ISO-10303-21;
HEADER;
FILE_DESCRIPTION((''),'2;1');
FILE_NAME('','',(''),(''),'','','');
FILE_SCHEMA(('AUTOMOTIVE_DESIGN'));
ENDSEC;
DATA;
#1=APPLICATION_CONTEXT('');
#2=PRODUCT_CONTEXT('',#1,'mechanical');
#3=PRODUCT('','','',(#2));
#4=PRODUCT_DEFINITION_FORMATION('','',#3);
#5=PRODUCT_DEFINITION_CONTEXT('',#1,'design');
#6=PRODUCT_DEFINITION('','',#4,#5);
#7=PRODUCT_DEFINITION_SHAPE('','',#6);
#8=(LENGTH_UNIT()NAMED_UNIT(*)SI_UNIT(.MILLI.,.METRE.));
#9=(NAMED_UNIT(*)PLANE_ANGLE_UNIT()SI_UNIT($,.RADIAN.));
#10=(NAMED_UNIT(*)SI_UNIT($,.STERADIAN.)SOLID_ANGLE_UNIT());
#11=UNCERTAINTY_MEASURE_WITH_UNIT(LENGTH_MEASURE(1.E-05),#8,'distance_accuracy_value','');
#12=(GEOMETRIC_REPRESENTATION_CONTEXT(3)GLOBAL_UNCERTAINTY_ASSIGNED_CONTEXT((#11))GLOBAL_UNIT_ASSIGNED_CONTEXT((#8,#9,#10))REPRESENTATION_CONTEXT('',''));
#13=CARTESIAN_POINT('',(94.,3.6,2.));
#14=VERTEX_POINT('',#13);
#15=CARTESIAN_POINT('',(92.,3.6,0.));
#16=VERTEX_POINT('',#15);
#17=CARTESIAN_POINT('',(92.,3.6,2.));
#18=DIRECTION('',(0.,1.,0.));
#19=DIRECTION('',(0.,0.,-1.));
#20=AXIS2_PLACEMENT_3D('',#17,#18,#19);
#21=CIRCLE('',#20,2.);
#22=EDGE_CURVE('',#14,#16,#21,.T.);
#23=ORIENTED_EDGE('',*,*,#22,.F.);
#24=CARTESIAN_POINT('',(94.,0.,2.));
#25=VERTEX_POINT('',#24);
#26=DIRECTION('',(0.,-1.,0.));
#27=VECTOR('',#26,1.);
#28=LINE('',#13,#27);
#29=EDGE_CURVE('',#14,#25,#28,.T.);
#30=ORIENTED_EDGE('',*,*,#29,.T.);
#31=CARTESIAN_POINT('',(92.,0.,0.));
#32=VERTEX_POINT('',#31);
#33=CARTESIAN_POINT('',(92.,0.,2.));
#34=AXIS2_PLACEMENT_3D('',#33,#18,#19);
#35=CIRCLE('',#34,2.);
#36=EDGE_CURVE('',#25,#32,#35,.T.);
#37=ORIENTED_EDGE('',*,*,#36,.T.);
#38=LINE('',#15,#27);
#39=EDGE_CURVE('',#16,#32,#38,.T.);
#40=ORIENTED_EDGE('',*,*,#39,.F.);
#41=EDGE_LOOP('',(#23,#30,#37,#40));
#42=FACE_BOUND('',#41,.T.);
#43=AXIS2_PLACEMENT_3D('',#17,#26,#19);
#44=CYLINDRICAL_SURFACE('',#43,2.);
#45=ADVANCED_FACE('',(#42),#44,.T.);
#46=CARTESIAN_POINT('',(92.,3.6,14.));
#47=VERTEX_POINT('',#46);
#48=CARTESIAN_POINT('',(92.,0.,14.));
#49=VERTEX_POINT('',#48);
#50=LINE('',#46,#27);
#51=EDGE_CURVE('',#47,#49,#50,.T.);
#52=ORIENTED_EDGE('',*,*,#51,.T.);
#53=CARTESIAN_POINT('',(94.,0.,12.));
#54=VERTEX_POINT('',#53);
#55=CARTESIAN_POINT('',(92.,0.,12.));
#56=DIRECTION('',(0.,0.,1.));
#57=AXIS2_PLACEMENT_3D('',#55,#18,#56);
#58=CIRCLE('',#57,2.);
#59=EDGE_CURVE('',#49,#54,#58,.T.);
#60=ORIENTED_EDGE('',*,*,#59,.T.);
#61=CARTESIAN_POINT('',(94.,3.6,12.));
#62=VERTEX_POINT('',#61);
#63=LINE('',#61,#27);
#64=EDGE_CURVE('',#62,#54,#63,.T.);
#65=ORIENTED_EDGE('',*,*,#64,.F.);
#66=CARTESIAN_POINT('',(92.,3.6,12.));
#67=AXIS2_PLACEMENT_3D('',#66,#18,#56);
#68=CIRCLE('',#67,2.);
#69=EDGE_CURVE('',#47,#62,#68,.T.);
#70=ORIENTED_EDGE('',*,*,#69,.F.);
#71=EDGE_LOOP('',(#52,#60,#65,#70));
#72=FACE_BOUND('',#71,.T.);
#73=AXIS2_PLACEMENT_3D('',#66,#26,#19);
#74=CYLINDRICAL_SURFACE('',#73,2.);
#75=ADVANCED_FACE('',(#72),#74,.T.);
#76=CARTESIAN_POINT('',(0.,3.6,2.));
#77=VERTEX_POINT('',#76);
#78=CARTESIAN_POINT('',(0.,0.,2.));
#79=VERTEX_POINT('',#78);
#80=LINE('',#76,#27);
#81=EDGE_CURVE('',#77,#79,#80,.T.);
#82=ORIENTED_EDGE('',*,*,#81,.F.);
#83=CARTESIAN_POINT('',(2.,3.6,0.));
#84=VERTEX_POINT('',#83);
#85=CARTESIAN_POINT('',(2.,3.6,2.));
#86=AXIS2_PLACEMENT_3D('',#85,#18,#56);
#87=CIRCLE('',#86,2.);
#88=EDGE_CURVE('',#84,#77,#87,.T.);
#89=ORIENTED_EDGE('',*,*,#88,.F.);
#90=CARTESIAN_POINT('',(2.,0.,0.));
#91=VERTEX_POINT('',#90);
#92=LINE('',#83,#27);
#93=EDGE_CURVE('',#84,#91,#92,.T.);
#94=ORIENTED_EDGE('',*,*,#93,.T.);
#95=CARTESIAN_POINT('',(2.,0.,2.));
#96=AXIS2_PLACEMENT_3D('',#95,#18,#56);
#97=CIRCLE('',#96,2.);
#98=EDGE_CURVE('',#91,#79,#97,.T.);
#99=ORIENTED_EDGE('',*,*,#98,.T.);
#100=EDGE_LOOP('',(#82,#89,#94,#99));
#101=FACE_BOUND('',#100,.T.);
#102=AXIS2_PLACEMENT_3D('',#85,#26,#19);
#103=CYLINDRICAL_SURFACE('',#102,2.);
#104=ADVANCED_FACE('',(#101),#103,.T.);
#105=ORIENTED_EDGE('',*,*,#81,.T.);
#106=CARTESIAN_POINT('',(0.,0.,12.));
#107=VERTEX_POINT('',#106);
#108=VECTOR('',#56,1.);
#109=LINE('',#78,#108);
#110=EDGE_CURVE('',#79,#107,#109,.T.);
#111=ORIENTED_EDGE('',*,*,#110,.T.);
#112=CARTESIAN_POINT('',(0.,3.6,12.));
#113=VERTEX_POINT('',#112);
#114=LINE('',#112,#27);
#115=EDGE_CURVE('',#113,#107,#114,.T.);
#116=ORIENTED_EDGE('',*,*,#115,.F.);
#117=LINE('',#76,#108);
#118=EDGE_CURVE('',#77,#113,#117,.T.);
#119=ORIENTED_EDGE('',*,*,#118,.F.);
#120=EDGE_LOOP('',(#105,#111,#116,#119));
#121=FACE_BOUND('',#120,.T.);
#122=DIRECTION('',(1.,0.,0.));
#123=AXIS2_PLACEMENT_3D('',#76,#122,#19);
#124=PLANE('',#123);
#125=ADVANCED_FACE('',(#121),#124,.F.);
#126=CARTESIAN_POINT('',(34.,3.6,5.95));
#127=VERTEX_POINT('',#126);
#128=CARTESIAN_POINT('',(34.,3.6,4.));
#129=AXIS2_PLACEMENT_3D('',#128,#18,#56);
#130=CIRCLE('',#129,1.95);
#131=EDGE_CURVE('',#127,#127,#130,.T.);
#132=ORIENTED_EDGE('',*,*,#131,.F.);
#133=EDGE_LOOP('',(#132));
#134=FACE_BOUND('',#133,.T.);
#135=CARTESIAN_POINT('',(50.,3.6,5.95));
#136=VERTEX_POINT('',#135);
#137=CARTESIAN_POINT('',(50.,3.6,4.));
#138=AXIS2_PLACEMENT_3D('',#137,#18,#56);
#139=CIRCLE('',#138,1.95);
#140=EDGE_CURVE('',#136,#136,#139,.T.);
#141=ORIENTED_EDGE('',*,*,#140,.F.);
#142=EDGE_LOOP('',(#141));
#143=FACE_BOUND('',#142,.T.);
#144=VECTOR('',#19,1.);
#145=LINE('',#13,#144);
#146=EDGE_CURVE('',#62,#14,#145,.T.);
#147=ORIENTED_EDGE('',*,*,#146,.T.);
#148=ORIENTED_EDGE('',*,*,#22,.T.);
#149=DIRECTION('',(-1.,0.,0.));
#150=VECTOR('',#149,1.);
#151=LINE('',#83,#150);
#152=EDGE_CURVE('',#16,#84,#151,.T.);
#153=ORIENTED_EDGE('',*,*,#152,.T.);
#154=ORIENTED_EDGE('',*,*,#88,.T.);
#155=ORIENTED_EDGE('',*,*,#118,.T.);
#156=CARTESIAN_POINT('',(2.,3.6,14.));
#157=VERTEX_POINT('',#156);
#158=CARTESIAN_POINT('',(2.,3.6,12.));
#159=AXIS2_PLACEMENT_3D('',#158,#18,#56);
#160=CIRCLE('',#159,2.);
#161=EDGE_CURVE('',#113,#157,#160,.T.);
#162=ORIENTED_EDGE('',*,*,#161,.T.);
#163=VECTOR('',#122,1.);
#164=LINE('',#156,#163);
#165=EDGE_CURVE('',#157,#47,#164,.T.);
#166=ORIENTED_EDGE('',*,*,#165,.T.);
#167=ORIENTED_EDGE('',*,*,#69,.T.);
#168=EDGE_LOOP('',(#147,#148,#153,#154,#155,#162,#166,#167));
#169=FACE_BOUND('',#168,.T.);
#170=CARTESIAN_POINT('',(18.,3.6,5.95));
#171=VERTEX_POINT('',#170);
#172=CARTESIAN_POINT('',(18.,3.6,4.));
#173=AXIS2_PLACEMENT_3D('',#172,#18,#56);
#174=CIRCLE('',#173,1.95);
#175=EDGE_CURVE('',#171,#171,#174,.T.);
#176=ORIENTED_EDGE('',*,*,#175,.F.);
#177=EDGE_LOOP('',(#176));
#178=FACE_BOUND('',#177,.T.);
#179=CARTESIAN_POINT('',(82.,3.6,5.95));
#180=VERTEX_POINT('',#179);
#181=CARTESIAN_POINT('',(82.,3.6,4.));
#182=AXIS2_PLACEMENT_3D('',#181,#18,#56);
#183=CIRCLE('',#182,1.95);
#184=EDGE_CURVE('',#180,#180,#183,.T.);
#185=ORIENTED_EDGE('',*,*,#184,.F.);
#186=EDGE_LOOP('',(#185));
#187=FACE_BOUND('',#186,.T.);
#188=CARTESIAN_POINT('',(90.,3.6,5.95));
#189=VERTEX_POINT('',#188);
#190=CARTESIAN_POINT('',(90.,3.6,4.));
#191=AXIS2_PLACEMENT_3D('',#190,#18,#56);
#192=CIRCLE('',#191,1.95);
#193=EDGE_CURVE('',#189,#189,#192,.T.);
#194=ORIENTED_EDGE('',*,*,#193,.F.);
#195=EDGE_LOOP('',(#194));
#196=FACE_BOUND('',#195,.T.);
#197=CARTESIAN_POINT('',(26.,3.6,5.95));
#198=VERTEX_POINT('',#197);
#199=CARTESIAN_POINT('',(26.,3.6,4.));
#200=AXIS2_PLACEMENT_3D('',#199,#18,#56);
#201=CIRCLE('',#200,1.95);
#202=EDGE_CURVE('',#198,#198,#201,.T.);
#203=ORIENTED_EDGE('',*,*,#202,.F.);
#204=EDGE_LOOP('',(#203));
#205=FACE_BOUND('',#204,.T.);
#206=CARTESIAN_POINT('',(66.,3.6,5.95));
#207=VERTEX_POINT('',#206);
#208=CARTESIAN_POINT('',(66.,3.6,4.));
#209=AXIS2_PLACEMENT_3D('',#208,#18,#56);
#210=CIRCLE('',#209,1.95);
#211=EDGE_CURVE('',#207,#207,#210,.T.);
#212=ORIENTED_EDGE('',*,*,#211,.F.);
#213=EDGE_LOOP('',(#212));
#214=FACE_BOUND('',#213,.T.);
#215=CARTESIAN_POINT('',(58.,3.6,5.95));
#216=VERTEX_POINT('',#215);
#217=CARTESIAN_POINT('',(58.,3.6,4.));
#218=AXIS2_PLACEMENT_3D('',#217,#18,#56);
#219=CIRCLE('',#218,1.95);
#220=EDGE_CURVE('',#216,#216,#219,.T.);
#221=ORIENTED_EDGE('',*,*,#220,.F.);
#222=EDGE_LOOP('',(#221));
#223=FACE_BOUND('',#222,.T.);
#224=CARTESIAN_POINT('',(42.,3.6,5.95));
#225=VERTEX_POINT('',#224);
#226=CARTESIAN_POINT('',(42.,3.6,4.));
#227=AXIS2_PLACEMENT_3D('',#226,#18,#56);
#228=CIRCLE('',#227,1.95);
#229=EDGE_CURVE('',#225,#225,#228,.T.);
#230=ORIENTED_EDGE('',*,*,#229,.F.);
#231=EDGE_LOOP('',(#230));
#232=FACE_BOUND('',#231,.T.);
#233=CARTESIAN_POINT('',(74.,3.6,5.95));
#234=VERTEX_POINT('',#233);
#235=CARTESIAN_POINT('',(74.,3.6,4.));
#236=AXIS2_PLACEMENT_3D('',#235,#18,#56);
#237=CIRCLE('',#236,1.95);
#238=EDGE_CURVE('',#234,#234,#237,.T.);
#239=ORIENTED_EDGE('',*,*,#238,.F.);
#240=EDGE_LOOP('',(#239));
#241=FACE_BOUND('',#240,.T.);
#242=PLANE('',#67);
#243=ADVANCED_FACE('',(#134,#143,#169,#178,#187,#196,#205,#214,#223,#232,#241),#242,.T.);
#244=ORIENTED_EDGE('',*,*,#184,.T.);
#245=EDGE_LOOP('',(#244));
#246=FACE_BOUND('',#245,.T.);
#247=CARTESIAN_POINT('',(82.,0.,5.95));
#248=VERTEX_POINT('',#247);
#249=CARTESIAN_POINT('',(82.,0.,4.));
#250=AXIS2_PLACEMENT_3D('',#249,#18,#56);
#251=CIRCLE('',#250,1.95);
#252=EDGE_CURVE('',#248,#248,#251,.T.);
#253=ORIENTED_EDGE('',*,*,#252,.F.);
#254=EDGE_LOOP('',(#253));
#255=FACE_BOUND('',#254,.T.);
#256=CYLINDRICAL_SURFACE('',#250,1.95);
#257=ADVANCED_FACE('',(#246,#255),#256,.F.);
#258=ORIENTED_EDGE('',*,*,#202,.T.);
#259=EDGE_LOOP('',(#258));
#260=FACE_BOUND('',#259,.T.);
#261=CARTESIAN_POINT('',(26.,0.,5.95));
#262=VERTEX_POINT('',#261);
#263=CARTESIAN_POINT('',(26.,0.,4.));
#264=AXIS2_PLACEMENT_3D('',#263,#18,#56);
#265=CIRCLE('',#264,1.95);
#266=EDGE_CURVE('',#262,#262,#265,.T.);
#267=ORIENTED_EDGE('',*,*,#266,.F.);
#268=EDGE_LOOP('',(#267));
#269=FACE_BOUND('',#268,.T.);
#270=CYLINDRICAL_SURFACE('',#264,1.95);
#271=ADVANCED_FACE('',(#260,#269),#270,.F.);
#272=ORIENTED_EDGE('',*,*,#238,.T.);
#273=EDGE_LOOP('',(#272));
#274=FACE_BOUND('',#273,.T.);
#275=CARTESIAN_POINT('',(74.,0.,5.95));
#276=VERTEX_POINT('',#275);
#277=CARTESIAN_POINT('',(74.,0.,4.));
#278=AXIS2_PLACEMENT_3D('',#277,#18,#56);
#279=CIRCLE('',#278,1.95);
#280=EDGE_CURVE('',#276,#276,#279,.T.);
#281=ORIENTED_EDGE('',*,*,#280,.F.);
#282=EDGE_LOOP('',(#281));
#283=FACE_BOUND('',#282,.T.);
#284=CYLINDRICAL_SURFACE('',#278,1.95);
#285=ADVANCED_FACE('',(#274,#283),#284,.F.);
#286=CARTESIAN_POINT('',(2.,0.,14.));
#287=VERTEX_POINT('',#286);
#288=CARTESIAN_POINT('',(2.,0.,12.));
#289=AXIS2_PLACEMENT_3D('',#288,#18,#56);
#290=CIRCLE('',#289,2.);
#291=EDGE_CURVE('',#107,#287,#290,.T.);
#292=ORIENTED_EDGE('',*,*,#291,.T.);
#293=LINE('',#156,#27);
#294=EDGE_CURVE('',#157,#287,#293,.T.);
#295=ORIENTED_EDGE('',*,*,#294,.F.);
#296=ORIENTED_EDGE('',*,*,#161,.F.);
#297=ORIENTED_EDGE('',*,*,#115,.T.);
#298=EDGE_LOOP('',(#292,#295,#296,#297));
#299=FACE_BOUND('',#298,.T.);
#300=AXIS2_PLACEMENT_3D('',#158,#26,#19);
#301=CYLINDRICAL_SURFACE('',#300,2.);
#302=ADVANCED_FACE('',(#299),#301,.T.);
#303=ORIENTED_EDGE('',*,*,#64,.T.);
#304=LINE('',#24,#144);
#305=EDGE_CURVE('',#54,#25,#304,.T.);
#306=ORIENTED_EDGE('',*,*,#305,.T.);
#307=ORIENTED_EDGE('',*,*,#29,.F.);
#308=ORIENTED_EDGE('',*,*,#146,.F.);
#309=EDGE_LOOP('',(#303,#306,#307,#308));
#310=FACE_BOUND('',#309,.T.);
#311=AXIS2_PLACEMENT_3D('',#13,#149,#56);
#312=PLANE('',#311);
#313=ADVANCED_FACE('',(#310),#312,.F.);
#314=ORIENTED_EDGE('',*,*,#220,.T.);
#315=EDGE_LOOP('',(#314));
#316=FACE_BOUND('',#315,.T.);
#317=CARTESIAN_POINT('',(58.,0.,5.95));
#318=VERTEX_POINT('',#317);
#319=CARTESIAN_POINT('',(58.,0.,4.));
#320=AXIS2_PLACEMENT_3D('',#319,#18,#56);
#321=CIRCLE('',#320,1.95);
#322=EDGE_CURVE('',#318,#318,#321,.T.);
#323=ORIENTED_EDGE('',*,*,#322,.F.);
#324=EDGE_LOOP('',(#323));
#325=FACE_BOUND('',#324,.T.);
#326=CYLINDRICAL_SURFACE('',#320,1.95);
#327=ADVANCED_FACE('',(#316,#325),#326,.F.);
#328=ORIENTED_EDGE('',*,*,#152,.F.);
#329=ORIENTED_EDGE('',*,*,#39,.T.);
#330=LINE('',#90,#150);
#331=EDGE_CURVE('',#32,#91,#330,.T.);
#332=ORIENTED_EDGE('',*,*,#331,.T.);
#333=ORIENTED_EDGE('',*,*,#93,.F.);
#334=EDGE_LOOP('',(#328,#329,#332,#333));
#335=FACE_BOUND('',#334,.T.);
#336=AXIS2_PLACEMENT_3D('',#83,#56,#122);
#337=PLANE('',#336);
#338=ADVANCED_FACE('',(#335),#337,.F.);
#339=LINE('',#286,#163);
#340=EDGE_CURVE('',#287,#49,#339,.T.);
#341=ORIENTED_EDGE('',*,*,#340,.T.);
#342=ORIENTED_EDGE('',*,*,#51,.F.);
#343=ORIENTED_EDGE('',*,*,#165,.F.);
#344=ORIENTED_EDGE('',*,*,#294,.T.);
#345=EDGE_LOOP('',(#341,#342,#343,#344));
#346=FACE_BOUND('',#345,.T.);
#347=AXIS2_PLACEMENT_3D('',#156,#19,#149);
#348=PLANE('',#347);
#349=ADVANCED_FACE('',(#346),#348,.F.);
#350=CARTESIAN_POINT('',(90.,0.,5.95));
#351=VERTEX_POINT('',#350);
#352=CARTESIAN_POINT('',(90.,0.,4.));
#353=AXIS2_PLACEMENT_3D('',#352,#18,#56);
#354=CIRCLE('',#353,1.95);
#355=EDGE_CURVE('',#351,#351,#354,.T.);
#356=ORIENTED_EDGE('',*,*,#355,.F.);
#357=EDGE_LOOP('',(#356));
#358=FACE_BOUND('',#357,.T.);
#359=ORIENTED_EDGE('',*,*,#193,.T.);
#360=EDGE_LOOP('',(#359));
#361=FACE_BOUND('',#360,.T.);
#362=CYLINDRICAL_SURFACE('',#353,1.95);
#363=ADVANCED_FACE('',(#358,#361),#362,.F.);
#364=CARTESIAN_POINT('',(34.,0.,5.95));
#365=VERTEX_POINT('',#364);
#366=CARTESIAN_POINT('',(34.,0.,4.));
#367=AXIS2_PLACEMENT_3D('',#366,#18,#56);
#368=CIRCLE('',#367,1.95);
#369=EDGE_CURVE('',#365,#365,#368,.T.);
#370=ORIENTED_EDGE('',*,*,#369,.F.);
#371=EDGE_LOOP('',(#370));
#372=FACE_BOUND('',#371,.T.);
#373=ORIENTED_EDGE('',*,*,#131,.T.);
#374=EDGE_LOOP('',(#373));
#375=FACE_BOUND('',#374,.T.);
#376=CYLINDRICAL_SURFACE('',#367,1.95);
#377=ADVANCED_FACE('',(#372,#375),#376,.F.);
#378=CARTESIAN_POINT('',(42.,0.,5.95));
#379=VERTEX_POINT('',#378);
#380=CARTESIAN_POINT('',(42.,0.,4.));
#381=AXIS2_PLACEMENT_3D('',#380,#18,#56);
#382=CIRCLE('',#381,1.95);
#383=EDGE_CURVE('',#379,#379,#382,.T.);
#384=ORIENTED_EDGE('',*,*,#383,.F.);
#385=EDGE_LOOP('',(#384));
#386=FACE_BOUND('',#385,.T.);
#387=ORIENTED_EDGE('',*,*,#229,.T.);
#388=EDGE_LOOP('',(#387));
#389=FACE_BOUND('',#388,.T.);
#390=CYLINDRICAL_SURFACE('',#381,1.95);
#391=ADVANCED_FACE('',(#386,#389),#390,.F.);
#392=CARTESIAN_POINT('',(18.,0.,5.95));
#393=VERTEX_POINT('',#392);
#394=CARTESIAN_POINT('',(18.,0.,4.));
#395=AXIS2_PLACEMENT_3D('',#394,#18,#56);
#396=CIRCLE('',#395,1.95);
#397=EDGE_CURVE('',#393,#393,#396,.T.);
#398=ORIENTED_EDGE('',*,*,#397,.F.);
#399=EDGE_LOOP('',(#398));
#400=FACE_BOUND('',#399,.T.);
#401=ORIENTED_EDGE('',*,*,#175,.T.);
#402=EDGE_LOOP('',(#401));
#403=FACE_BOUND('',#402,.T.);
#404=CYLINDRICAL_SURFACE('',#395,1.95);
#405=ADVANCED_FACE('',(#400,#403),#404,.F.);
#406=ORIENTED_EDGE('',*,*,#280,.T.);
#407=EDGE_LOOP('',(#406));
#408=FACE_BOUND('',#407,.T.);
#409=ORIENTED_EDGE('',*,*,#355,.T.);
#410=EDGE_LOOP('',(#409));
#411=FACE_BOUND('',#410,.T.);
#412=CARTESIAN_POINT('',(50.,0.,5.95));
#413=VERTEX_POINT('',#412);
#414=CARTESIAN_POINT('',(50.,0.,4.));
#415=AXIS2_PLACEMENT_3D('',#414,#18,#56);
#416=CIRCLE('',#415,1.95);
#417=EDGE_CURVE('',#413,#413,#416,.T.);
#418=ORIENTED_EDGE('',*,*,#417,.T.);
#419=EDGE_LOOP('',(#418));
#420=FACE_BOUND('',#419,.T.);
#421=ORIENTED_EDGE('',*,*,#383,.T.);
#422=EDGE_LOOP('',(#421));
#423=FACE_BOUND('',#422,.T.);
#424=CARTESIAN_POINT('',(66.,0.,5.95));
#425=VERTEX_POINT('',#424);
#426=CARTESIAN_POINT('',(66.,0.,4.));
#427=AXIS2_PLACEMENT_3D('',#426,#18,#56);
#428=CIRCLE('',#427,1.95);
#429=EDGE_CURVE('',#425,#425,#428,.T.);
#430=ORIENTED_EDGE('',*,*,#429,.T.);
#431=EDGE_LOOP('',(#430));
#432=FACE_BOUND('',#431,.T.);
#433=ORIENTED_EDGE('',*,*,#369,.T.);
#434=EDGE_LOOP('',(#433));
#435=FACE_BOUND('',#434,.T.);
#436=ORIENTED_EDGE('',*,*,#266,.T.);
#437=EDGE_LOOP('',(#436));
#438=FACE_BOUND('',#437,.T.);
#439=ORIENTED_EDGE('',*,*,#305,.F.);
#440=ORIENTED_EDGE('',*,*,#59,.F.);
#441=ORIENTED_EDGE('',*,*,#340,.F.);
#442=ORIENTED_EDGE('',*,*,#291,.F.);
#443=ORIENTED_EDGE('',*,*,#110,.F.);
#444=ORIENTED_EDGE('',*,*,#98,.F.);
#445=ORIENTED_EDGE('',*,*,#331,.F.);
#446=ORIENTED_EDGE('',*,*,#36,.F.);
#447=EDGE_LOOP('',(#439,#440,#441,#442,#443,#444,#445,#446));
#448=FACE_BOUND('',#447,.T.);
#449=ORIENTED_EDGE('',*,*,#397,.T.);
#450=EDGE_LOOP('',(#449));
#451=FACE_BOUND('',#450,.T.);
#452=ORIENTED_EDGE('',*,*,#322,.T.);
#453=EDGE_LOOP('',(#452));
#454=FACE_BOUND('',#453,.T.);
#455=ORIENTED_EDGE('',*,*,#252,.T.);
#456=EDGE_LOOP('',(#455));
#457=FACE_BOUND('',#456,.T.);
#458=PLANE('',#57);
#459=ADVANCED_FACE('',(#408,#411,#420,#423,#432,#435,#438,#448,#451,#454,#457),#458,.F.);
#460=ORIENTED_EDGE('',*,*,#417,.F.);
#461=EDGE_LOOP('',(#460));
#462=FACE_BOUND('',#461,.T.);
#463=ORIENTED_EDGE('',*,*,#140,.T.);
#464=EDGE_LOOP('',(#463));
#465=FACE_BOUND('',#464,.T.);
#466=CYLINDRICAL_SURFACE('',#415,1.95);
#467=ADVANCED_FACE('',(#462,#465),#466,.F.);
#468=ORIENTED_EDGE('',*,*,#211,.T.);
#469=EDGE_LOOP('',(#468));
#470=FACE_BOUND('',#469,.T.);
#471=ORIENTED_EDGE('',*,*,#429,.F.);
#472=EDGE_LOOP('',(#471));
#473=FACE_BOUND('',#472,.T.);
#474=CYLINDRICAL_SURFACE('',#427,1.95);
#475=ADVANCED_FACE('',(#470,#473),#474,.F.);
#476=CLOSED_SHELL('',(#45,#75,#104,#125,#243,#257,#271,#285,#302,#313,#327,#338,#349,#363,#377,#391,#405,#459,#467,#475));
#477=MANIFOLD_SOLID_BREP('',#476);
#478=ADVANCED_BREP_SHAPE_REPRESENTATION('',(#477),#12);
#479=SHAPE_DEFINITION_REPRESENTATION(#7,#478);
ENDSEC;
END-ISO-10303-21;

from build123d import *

# Parameters (mm, degrees)
BOSS_EXTRUDE1_DEPTH = 3.6
SKETCH2_R           = 1.95
CUT_EXTRUDE1_DEPTH  = 3.6


with BuildPart() as part:
    # Sketch1 → Boss-Extrude1 (new body)
    with BuildSketch(Plane(origin=(0, 0, 0), x_dir=(1, 0, 0), z_dir=(0, 1, 0))):
        with BuildLine():
            Line((2, 0), (92, 0))
            ThreePointArc((92, 0), (93.414213562, -0.585786438), (94, -2))
            Line((94, -2), (94, -12))
            ThreePointArc((94, -12), (93.414213562, -13.414213562), (92, -14))
            Line((92, -14), (2, -14))
            ThreePointArc((2, -14), (0.585786438, -13.414213562), (0, -12))
            Line((0, -12), (0, -2))
            ThreePointArc((0, -2), (0.585786438, -0.585786438), (2, 0))
        make_face()
    extrude(amount=BOSS_EXTRUDE1_DEPTH)

    # Sketch2 → Cut-Extrude1 (cut)
    with BuildSketch(Plane(origin=(0, 3.6, 0), x_dir=(1, 0, 0), z_dir=(0, 1, 0))):
        with Locations((90, -4)):
            Circle(SKETCH2_R)
        with Locations((82, -4)):
            Circle(SKETCH2_R)
        with Locations((18, -4)):
            Circle(SKETCH2_R)
        with Locations((26, -4)):
            Circle(SKETCH2_R)
        with Locations((34, -4)):
            Circle(SKETCH2_R)
        with Locations((42, -4)):
            Circle(SKETCH2_R)
        with Locations((50, -4)):
            Circle(SKETCH2_R)
        with Locations((58, -4)):
            Circle(SKETCH2_R)
        with Locations((66, -4)):
            Circle(SKETCH2_R)
        with Locations((74, -4)):
            Circle(SKETCH2_R)
    extrude(amount=-CUT_EXTRUDE1_DEPTH, mode=Mode.SUBTRACT)


solid = part.part
